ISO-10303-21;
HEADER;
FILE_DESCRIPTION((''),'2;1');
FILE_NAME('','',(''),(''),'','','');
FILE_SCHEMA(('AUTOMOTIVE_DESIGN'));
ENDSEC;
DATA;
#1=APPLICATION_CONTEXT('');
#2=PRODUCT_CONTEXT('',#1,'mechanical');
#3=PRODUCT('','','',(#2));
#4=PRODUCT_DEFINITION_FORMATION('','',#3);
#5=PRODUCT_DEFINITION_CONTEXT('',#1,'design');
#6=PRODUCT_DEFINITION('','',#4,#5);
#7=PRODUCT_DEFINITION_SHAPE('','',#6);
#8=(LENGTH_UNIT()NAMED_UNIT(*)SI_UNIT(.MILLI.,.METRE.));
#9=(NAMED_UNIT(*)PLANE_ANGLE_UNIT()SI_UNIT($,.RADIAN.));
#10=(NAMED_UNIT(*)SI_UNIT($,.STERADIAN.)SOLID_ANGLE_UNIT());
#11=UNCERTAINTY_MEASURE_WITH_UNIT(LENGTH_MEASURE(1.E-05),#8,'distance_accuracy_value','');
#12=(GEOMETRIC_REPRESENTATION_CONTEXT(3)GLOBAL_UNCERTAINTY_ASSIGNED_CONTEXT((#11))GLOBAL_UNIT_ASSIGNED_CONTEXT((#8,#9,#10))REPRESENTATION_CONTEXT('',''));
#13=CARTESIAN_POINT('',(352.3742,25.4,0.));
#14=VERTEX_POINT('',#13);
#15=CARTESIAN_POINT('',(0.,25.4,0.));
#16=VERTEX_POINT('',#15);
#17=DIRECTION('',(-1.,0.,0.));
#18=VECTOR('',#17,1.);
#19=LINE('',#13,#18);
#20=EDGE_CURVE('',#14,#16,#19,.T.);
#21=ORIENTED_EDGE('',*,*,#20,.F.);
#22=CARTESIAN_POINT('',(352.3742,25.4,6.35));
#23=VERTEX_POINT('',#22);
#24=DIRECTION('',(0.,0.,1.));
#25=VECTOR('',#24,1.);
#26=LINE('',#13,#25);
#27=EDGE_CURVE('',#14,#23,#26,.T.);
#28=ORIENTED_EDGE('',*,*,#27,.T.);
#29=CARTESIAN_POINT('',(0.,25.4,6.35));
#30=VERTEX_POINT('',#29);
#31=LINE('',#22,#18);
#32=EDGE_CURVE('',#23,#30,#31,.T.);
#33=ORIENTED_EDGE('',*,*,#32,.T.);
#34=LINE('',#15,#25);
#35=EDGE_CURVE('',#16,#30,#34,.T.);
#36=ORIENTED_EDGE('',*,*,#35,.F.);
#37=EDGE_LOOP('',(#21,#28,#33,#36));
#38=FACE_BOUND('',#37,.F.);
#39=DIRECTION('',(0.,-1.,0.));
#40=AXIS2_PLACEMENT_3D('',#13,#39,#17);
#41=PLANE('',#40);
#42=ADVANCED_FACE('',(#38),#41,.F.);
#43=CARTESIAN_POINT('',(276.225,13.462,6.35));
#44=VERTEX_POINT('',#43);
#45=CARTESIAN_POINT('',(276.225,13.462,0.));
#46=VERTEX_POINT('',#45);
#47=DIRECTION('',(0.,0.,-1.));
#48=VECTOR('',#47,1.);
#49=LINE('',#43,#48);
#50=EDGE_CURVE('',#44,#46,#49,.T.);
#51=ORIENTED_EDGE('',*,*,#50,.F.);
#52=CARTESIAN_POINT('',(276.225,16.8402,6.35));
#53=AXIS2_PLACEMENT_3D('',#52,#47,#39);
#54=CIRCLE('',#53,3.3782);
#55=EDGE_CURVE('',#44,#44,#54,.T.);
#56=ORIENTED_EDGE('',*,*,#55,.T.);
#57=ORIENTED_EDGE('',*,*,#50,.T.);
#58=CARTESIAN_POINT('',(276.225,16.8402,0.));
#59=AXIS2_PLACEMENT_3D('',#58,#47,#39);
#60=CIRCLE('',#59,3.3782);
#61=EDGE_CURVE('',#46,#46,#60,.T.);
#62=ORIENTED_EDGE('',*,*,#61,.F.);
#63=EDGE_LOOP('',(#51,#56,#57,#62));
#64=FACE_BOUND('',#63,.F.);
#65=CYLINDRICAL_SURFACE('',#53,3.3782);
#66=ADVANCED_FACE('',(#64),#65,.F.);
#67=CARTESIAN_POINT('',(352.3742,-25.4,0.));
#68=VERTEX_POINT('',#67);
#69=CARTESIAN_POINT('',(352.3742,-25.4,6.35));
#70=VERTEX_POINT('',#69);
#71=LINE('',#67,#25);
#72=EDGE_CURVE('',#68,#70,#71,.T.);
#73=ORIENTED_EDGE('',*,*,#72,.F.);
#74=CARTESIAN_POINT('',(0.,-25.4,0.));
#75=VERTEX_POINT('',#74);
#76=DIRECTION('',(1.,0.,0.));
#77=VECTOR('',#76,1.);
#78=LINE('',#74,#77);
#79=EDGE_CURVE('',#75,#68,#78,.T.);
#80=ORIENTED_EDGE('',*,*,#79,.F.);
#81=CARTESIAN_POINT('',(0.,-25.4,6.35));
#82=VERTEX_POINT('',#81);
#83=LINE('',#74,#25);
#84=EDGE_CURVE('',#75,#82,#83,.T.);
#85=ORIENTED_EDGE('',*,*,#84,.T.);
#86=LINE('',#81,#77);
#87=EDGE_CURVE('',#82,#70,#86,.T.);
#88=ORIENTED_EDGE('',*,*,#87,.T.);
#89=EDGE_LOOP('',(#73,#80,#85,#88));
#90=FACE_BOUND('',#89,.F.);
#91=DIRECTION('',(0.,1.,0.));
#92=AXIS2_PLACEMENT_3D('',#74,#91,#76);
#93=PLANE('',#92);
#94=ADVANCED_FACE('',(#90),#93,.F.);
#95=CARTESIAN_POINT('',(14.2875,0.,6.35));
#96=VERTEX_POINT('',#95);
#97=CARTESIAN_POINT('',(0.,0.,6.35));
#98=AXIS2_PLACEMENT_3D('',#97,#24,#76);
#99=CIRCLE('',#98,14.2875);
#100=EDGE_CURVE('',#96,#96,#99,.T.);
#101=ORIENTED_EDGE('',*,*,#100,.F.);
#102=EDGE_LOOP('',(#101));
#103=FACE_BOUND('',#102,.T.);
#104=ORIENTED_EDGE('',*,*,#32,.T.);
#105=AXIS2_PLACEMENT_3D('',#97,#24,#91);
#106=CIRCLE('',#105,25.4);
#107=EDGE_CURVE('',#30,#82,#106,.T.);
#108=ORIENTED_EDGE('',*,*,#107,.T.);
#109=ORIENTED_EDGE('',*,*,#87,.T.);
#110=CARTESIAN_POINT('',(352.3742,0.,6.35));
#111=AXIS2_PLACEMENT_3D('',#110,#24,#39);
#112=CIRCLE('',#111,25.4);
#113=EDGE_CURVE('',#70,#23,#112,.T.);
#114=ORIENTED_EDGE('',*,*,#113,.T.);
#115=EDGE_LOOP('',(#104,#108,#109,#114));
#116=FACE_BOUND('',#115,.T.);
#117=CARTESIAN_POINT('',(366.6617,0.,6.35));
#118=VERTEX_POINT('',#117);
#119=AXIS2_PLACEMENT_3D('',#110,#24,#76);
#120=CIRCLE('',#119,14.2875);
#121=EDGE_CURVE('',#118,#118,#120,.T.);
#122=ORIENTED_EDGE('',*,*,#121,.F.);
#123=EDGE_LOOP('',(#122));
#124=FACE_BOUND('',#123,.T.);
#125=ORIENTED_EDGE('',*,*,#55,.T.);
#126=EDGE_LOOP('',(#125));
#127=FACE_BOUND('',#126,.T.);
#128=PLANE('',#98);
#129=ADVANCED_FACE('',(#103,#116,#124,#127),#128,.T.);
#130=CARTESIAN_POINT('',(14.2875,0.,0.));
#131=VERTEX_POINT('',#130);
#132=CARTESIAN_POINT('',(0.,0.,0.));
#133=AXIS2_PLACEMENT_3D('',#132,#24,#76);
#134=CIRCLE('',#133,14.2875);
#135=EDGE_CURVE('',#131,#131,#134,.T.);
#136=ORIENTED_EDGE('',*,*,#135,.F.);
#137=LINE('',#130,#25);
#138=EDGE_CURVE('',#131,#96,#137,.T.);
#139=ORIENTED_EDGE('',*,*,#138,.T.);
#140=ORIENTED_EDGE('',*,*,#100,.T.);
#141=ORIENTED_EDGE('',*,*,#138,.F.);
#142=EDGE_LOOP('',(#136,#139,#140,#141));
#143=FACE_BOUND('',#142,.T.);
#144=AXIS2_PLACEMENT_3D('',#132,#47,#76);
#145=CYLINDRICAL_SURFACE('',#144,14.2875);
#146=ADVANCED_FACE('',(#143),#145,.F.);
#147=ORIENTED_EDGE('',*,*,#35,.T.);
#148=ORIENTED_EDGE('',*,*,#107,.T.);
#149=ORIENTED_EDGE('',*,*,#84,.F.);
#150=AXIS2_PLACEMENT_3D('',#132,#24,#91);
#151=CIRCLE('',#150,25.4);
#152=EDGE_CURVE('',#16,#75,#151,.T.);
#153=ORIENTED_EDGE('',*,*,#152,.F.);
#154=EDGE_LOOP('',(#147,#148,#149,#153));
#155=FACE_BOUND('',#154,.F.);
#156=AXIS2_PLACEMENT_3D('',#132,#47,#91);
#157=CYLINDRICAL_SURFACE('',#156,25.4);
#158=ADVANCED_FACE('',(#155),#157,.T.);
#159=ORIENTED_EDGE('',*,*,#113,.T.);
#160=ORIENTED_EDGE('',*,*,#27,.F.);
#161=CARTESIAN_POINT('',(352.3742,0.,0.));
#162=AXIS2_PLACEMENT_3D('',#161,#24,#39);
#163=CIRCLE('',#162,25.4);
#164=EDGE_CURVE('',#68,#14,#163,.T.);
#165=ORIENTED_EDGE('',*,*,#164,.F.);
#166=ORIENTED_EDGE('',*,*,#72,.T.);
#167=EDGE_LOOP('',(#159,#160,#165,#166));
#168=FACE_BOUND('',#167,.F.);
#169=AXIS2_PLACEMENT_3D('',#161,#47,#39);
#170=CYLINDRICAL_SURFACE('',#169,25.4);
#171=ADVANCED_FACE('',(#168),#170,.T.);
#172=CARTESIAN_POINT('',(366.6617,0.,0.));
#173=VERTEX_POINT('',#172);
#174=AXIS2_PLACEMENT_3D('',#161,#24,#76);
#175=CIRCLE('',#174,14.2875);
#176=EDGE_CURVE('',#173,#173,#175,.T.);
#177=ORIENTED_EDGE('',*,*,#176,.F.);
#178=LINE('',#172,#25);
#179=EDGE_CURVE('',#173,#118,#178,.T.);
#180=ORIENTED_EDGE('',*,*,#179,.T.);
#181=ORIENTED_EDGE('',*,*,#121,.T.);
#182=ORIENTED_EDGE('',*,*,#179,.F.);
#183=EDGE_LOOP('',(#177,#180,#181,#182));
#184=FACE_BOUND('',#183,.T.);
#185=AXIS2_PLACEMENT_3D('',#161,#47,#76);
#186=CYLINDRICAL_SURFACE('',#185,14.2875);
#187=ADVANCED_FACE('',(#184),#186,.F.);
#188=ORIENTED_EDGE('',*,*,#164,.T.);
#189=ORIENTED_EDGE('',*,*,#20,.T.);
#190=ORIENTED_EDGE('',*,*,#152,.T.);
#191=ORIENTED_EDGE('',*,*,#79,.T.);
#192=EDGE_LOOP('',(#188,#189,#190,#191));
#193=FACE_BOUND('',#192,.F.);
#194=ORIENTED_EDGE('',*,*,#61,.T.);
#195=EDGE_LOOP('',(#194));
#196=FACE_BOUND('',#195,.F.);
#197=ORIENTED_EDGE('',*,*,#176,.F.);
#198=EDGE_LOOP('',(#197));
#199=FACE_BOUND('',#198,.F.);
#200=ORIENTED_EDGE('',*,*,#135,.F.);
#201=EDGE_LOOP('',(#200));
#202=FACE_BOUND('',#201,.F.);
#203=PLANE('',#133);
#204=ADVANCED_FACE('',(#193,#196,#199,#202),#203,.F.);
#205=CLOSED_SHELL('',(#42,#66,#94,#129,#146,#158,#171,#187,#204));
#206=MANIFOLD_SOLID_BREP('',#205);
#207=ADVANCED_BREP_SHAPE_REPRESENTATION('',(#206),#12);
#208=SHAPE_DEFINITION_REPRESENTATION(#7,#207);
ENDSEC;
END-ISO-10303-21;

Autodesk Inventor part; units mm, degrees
ref_plane "YZ Plane" through (0, 0, 0) normal (1, 0, 0) x (0, 1, 0)
ref_plane "XZ Plane" through (0, 0, 0) normal (0, 1, 0) x (-1, 0, 0)
ref_plane "XY Plane" through (0, 0, 0) normal (0, 0, 1) x (1, 0, 0)
sketch "Sketch1" plane through (0, 0, 0) normal (0, 0, 1) x (1, 0, 0)
  circle A0 centre (0, 0) radius 14.2875
  circle A1 centre (352.3742, 0) radius 14.2875
  line L0 (0, 0) -> (352.3742, 0) construction
  line L1 (0, 0) -> (352.3742, 0) construction
  line L2 (0, -25.4) -> (352.3742, -25.4)
  line L3 (352.3742, 25.4) -> (0, 25.4)
  arc A2 (0, 25.4) -> (0, -25.4) centre (0, 0) ccw
  arc A3 (352.3742, -25.4) -> (352.3742, 25.4) centre (352.3742, 0) ccw
  point P0 (176.1871, 0)
  dimension "d0" = 28.575
  dimension "d1" = 352.3742
  dimension "d2" = 50.8
extrude "Extrusion1" add sketch "Sketch1" along normal blind 6.35
sketch "Sketch2" plane through (0, 0, 6.35) normal (0, 0, 1) x (1, 0, 0)
  circle A0 centre (0, 0) radius 14.2875 construction
  circle A1 centre (0, 0) radius 14.2875 construction
  circle A2 centre (352.3742, 0) radius 14.2875 construction
  line L0 (0, 0) -> (352.3742, 0) construction
  line L1 (276.225, 16.8402) -> (276.225, 0) construction
  dimension "d14" = 276.225
  dimension "d15" = 16.8402
hole "Hole1" at (276.225, 16.8402, 6.35) direction (0, 0, -1) diameter 6.7564 end through all clearance for "Flat Head Machine Screw (82)" size "1/4" standard "Ansi Unified Screw Threads"
properties part number "GP4-002" material "Aluminum 6061"
